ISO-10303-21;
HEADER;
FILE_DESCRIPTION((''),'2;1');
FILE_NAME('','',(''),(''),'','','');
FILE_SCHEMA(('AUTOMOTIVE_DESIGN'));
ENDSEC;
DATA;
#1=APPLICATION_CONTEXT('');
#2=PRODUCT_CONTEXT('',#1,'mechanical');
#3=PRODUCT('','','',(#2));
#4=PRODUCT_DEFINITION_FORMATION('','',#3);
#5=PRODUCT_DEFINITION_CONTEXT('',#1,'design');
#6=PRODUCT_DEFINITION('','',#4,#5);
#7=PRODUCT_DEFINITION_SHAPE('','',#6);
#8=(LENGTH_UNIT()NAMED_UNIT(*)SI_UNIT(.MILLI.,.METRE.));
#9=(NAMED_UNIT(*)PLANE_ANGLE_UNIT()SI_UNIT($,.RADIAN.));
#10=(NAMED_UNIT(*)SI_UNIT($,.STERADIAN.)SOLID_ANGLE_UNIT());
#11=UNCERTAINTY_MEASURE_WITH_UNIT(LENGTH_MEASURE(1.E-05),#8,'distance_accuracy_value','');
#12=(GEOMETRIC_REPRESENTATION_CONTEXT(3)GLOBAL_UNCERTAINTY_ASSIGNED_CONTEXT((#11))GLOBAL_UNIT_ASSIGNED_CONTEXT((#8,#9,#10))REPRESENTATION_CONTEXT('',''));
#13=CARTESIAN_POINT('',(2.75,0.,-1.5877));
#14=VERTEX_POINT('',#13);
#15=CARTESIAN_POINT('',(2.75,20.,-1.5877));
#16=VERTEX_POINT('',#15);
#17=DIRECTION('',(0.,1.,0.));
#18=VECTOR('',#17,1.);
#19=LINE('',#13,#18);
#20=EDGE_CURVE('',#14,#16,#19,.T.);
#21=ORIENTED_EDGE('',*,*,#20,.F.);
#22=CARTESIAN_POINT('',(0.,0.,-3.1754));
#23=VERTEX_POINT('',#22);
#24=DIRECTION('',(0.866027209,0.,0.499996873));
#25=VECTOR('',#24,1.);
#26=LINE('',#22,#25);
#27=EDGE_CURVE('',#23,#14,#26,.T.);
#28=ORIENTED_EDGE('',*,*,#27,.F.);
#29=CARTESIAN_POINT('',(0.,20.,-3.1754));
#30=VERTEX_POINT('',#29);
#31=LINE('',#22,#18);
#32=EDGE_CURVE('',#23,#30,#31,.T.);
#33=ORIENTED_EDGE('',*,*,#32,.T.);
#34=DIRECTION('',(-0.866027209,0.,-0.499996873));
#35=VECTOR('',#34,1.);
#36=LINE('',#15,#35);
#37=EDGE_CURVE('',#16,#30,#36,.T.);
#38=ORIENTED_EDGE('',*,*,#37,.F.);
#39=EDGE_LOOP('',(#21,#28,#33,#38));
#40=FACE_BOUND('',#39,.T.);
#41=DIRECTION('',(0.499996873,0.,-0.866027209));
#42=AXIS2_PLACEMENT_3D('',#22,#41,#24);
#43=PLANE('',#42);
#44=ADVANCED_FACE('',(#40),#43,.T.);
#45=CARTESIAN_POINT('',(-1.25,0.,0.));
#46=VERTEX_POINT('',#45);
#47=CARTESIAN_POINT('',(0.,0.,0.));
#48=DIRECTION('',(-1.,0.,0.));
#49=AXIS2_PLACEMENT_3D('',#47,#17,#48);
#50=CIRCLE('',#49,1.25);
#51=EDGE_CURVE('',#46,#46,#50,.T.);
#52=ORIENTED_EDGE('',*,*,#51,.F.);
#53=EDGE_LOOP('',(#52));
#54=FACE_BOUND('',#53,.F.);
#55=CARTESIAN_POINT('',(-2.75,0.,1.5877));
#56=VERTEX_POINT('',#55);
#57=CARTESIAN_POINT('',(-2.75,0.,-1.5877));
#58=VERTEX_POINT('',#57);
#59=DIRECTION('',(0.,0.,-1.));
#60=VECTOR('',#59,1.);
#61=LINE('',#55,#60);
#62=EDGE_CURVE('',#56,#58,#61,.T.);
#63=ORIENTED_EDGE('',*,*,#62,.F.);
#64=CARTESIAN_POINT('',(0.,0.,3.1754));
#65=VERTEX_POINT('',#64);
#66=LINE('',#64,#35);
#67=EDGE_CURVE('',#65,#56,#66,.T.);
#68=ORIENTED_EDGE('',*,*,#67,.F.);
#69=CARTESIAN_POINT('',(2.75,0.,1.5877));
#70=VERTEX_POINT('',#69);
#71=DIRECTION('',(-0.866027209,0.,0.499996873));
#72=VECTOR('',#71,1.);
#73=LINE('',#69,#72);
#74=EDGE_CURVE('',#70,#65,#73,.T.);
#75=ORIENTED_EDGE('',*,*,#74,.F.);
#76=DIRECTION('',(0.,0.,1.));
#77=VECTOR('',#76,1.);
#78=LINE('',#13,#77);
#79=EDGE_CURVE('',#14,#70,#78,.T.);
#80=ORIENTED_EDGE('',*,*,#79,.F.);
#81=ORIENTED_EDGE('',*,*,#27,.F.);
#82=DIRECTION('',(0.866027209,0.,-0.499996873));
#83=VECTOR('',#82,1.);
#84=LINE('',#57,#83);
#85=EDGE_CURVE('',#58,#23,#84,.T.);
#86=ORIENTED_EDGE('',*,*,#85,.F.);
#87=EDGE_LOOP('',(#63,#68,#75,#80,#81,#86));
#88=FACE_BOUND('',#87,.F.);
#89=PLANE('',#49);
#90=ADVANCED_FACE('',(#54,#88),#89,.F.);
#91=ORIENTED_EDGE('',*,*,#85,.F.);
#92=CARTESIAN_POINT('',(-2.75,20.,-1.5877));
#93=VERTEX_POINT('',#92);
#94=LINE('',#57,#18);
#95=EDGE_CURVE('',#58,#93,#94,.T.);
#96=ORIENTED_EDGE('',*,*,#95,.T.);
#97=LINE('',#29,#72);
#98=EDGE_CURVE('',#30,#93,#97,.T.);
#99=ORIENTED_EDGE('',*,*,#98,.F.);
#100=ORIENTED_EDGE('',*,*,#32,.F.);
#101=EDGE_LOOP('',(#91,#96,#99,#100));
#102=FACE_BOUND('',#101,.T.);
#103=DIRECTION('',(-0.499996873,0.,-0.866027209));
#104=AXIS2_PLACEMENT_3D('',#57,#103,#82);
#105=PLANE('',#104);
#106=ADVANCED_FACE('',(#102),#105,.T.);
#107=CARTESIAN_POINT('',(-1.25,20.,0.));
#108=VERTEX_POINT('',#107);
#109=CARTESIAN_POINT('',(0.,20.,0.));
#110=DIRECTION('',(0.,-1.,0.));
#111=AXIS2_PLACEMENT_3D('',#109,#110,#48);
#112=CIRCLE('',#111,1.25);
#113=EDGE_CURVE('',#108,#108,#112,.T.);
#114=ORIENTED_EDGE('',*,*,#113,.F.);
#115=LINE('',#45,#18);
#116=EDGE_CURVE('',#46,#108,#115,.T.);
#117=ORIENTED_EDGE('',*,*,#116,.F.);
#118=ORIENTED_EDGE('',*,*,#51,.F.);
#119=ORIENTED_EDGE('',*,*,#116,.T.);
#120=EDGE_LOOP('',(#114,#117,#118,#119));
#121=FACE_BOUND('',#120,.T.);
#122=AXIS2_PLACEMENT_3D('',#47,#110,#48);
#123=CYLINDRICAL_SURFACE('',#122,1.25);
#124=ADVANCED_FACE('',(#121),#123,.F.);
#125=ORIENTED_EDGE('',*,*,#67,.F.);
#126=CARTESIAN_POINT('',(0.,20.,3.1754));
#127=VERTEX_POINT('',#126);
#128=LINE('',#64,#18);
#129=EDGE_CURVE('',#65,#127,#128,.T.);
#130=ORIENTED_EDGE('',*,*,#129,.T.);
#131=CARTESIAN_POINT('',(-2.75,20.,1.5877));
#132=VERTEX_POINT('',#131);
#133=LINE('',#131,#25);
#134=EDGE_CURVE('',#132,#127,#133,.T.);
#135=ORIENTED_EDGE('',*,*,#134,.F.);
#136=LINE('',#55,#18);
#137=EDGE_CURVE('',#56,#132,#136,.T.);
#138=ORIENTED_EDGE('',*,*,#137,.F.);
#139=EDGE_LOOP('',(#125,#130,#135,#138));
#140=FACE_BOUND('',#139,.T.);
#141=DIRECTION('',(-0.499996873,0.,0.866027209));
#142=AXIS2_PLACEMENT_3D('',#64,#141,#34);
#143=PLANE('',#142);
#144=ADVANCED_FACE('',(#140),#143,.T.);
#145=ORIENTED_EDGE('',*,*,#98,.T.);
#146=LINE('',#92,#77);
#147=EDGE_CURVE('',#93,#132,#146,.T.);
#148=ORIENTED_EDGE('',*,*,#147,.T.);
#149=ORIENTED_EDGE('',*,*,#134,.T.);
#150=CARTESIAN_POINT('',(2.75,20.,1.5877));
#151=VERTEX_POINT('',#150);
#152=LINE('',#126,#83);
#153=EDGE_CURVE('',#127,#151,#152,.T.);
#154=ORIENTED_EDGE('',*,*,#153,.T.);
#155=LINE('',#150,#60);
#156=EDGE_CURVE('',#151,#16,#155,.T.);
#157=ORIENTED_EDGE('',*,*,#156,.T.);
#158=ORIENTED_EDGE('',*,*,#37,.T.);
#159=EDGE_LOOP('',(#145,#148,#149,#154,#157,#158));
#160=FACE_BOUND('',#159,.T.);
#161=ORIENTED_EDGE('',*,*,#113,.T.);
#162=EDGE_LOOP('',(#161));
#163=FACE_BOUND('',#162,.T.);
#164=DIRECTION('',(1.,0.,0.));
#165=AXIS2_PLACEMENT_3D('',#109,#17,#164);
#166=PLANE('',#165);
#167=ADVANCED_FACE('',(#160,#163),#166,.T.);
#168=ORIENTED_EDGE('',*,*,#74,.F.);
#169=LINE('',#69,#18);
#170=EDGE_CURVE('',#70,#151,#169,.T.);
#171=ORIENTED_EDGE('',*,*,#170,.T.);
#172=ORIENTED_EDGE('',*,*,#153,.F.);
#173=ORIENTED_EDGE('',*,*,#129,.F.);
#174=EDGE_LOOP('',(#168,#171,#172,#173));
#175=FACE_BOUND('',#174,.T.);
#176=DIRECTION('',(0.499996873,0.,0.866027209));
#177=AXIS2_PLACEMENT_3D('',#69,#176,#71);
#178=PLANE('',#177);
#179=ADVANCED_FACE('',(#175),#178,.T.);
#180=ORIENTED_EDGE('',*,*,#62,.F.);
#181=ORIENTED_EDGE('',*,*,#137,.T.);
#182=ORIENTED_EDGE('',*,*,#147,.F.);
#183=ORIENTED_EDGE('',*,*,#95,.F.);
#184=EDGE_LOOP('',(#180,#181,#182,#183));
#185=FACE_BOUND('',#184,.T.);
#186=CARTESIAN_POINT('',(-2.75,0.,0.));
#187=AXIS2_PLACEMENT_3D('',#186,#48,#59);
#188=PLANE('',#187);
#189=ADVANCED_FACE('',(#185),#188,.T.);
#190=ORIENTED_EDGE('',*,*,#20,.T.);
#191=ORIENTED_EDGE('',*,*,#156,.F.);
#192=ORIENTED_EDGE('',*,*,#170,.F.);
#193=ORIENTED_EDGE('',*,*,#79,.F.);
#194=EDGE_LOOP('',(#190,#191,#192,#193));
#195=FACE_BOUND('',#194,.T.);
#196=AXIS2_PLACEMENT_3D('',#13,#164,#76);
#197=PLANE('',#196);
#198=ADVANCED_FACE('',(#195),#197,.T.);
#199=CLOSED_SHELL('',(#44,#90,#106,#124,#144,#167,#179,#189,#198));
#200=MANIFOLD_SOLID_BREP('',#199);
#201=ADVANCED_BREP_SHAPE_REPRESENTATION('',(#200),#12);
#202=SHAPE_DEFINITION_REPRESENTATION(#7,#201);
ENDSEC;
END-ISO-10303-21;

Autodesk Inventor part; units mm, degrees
ref_plane "YZ Plane" through (0, 0, 0) normal (1, 0, 0) x (0, 1, 0)
ref_plane "XZ Plane" through (0, 0, 0) normal (0, 1, 0) x (-1, 0, 0)
ref_plane "XY Plane" through (0, 0, 0) normal (0, 0, 1) x (1, 0, 0)
sketch "Sketch1" plane through (0, 0, 0) normal (0, 1, 0) x (-1, 0, 0)
  circle A0 centre (0, 0) radius 2.75
  line L0 (2.75, -1.5877) -> (0, -3.1754)
  line L1 (0, -3.1754) -> (-2.75, -1.5877)
  line L2 (-2.75, -1.5877) -> (-2.75, 1.5877)
  line L3 (-2.75, 1.5877) -> (0, 3.1754)
  line L4 (0, 3.1754) -> (2.75, 1.5877)
  line L5 (2.75, 1.5877) -> (2.75, -1.5877)
  circle A1 centre (0, 0) radius 1.25
  point P0 (2.75, 0)
  dimension "d0" = 5.5
  dimension "d1" = 2.5
extrude "Extrusion1" add sketch "Sketch1" along normal blind 30
thread "Thread1" size "M3x0.5" class "6H" standard "ANSI Metric M Profile" full length
sketch "Sketch2" plane through (0, 30, 0) normal (0, 1, 0) x (1, 0, 0)
  line L0 (-7.5964, -8.221) -> (7.9188, -8.221)
  line L1 (7.9188, -8.221) -> (7.9188, 5.8837)
  line L2 (7.9188, 5.8837) -> (-7.5964, 5.8837)
  line L3 (-7.5964, 5.8837) -> (-7.5964, -8.221)
  point P0 (0, 0)
extrude "Extrusion2" cut sketch "Sketch2" against normal blind 10
properties part number "Distance_M3_20" material "Nickel-Copper Alloy 400"
